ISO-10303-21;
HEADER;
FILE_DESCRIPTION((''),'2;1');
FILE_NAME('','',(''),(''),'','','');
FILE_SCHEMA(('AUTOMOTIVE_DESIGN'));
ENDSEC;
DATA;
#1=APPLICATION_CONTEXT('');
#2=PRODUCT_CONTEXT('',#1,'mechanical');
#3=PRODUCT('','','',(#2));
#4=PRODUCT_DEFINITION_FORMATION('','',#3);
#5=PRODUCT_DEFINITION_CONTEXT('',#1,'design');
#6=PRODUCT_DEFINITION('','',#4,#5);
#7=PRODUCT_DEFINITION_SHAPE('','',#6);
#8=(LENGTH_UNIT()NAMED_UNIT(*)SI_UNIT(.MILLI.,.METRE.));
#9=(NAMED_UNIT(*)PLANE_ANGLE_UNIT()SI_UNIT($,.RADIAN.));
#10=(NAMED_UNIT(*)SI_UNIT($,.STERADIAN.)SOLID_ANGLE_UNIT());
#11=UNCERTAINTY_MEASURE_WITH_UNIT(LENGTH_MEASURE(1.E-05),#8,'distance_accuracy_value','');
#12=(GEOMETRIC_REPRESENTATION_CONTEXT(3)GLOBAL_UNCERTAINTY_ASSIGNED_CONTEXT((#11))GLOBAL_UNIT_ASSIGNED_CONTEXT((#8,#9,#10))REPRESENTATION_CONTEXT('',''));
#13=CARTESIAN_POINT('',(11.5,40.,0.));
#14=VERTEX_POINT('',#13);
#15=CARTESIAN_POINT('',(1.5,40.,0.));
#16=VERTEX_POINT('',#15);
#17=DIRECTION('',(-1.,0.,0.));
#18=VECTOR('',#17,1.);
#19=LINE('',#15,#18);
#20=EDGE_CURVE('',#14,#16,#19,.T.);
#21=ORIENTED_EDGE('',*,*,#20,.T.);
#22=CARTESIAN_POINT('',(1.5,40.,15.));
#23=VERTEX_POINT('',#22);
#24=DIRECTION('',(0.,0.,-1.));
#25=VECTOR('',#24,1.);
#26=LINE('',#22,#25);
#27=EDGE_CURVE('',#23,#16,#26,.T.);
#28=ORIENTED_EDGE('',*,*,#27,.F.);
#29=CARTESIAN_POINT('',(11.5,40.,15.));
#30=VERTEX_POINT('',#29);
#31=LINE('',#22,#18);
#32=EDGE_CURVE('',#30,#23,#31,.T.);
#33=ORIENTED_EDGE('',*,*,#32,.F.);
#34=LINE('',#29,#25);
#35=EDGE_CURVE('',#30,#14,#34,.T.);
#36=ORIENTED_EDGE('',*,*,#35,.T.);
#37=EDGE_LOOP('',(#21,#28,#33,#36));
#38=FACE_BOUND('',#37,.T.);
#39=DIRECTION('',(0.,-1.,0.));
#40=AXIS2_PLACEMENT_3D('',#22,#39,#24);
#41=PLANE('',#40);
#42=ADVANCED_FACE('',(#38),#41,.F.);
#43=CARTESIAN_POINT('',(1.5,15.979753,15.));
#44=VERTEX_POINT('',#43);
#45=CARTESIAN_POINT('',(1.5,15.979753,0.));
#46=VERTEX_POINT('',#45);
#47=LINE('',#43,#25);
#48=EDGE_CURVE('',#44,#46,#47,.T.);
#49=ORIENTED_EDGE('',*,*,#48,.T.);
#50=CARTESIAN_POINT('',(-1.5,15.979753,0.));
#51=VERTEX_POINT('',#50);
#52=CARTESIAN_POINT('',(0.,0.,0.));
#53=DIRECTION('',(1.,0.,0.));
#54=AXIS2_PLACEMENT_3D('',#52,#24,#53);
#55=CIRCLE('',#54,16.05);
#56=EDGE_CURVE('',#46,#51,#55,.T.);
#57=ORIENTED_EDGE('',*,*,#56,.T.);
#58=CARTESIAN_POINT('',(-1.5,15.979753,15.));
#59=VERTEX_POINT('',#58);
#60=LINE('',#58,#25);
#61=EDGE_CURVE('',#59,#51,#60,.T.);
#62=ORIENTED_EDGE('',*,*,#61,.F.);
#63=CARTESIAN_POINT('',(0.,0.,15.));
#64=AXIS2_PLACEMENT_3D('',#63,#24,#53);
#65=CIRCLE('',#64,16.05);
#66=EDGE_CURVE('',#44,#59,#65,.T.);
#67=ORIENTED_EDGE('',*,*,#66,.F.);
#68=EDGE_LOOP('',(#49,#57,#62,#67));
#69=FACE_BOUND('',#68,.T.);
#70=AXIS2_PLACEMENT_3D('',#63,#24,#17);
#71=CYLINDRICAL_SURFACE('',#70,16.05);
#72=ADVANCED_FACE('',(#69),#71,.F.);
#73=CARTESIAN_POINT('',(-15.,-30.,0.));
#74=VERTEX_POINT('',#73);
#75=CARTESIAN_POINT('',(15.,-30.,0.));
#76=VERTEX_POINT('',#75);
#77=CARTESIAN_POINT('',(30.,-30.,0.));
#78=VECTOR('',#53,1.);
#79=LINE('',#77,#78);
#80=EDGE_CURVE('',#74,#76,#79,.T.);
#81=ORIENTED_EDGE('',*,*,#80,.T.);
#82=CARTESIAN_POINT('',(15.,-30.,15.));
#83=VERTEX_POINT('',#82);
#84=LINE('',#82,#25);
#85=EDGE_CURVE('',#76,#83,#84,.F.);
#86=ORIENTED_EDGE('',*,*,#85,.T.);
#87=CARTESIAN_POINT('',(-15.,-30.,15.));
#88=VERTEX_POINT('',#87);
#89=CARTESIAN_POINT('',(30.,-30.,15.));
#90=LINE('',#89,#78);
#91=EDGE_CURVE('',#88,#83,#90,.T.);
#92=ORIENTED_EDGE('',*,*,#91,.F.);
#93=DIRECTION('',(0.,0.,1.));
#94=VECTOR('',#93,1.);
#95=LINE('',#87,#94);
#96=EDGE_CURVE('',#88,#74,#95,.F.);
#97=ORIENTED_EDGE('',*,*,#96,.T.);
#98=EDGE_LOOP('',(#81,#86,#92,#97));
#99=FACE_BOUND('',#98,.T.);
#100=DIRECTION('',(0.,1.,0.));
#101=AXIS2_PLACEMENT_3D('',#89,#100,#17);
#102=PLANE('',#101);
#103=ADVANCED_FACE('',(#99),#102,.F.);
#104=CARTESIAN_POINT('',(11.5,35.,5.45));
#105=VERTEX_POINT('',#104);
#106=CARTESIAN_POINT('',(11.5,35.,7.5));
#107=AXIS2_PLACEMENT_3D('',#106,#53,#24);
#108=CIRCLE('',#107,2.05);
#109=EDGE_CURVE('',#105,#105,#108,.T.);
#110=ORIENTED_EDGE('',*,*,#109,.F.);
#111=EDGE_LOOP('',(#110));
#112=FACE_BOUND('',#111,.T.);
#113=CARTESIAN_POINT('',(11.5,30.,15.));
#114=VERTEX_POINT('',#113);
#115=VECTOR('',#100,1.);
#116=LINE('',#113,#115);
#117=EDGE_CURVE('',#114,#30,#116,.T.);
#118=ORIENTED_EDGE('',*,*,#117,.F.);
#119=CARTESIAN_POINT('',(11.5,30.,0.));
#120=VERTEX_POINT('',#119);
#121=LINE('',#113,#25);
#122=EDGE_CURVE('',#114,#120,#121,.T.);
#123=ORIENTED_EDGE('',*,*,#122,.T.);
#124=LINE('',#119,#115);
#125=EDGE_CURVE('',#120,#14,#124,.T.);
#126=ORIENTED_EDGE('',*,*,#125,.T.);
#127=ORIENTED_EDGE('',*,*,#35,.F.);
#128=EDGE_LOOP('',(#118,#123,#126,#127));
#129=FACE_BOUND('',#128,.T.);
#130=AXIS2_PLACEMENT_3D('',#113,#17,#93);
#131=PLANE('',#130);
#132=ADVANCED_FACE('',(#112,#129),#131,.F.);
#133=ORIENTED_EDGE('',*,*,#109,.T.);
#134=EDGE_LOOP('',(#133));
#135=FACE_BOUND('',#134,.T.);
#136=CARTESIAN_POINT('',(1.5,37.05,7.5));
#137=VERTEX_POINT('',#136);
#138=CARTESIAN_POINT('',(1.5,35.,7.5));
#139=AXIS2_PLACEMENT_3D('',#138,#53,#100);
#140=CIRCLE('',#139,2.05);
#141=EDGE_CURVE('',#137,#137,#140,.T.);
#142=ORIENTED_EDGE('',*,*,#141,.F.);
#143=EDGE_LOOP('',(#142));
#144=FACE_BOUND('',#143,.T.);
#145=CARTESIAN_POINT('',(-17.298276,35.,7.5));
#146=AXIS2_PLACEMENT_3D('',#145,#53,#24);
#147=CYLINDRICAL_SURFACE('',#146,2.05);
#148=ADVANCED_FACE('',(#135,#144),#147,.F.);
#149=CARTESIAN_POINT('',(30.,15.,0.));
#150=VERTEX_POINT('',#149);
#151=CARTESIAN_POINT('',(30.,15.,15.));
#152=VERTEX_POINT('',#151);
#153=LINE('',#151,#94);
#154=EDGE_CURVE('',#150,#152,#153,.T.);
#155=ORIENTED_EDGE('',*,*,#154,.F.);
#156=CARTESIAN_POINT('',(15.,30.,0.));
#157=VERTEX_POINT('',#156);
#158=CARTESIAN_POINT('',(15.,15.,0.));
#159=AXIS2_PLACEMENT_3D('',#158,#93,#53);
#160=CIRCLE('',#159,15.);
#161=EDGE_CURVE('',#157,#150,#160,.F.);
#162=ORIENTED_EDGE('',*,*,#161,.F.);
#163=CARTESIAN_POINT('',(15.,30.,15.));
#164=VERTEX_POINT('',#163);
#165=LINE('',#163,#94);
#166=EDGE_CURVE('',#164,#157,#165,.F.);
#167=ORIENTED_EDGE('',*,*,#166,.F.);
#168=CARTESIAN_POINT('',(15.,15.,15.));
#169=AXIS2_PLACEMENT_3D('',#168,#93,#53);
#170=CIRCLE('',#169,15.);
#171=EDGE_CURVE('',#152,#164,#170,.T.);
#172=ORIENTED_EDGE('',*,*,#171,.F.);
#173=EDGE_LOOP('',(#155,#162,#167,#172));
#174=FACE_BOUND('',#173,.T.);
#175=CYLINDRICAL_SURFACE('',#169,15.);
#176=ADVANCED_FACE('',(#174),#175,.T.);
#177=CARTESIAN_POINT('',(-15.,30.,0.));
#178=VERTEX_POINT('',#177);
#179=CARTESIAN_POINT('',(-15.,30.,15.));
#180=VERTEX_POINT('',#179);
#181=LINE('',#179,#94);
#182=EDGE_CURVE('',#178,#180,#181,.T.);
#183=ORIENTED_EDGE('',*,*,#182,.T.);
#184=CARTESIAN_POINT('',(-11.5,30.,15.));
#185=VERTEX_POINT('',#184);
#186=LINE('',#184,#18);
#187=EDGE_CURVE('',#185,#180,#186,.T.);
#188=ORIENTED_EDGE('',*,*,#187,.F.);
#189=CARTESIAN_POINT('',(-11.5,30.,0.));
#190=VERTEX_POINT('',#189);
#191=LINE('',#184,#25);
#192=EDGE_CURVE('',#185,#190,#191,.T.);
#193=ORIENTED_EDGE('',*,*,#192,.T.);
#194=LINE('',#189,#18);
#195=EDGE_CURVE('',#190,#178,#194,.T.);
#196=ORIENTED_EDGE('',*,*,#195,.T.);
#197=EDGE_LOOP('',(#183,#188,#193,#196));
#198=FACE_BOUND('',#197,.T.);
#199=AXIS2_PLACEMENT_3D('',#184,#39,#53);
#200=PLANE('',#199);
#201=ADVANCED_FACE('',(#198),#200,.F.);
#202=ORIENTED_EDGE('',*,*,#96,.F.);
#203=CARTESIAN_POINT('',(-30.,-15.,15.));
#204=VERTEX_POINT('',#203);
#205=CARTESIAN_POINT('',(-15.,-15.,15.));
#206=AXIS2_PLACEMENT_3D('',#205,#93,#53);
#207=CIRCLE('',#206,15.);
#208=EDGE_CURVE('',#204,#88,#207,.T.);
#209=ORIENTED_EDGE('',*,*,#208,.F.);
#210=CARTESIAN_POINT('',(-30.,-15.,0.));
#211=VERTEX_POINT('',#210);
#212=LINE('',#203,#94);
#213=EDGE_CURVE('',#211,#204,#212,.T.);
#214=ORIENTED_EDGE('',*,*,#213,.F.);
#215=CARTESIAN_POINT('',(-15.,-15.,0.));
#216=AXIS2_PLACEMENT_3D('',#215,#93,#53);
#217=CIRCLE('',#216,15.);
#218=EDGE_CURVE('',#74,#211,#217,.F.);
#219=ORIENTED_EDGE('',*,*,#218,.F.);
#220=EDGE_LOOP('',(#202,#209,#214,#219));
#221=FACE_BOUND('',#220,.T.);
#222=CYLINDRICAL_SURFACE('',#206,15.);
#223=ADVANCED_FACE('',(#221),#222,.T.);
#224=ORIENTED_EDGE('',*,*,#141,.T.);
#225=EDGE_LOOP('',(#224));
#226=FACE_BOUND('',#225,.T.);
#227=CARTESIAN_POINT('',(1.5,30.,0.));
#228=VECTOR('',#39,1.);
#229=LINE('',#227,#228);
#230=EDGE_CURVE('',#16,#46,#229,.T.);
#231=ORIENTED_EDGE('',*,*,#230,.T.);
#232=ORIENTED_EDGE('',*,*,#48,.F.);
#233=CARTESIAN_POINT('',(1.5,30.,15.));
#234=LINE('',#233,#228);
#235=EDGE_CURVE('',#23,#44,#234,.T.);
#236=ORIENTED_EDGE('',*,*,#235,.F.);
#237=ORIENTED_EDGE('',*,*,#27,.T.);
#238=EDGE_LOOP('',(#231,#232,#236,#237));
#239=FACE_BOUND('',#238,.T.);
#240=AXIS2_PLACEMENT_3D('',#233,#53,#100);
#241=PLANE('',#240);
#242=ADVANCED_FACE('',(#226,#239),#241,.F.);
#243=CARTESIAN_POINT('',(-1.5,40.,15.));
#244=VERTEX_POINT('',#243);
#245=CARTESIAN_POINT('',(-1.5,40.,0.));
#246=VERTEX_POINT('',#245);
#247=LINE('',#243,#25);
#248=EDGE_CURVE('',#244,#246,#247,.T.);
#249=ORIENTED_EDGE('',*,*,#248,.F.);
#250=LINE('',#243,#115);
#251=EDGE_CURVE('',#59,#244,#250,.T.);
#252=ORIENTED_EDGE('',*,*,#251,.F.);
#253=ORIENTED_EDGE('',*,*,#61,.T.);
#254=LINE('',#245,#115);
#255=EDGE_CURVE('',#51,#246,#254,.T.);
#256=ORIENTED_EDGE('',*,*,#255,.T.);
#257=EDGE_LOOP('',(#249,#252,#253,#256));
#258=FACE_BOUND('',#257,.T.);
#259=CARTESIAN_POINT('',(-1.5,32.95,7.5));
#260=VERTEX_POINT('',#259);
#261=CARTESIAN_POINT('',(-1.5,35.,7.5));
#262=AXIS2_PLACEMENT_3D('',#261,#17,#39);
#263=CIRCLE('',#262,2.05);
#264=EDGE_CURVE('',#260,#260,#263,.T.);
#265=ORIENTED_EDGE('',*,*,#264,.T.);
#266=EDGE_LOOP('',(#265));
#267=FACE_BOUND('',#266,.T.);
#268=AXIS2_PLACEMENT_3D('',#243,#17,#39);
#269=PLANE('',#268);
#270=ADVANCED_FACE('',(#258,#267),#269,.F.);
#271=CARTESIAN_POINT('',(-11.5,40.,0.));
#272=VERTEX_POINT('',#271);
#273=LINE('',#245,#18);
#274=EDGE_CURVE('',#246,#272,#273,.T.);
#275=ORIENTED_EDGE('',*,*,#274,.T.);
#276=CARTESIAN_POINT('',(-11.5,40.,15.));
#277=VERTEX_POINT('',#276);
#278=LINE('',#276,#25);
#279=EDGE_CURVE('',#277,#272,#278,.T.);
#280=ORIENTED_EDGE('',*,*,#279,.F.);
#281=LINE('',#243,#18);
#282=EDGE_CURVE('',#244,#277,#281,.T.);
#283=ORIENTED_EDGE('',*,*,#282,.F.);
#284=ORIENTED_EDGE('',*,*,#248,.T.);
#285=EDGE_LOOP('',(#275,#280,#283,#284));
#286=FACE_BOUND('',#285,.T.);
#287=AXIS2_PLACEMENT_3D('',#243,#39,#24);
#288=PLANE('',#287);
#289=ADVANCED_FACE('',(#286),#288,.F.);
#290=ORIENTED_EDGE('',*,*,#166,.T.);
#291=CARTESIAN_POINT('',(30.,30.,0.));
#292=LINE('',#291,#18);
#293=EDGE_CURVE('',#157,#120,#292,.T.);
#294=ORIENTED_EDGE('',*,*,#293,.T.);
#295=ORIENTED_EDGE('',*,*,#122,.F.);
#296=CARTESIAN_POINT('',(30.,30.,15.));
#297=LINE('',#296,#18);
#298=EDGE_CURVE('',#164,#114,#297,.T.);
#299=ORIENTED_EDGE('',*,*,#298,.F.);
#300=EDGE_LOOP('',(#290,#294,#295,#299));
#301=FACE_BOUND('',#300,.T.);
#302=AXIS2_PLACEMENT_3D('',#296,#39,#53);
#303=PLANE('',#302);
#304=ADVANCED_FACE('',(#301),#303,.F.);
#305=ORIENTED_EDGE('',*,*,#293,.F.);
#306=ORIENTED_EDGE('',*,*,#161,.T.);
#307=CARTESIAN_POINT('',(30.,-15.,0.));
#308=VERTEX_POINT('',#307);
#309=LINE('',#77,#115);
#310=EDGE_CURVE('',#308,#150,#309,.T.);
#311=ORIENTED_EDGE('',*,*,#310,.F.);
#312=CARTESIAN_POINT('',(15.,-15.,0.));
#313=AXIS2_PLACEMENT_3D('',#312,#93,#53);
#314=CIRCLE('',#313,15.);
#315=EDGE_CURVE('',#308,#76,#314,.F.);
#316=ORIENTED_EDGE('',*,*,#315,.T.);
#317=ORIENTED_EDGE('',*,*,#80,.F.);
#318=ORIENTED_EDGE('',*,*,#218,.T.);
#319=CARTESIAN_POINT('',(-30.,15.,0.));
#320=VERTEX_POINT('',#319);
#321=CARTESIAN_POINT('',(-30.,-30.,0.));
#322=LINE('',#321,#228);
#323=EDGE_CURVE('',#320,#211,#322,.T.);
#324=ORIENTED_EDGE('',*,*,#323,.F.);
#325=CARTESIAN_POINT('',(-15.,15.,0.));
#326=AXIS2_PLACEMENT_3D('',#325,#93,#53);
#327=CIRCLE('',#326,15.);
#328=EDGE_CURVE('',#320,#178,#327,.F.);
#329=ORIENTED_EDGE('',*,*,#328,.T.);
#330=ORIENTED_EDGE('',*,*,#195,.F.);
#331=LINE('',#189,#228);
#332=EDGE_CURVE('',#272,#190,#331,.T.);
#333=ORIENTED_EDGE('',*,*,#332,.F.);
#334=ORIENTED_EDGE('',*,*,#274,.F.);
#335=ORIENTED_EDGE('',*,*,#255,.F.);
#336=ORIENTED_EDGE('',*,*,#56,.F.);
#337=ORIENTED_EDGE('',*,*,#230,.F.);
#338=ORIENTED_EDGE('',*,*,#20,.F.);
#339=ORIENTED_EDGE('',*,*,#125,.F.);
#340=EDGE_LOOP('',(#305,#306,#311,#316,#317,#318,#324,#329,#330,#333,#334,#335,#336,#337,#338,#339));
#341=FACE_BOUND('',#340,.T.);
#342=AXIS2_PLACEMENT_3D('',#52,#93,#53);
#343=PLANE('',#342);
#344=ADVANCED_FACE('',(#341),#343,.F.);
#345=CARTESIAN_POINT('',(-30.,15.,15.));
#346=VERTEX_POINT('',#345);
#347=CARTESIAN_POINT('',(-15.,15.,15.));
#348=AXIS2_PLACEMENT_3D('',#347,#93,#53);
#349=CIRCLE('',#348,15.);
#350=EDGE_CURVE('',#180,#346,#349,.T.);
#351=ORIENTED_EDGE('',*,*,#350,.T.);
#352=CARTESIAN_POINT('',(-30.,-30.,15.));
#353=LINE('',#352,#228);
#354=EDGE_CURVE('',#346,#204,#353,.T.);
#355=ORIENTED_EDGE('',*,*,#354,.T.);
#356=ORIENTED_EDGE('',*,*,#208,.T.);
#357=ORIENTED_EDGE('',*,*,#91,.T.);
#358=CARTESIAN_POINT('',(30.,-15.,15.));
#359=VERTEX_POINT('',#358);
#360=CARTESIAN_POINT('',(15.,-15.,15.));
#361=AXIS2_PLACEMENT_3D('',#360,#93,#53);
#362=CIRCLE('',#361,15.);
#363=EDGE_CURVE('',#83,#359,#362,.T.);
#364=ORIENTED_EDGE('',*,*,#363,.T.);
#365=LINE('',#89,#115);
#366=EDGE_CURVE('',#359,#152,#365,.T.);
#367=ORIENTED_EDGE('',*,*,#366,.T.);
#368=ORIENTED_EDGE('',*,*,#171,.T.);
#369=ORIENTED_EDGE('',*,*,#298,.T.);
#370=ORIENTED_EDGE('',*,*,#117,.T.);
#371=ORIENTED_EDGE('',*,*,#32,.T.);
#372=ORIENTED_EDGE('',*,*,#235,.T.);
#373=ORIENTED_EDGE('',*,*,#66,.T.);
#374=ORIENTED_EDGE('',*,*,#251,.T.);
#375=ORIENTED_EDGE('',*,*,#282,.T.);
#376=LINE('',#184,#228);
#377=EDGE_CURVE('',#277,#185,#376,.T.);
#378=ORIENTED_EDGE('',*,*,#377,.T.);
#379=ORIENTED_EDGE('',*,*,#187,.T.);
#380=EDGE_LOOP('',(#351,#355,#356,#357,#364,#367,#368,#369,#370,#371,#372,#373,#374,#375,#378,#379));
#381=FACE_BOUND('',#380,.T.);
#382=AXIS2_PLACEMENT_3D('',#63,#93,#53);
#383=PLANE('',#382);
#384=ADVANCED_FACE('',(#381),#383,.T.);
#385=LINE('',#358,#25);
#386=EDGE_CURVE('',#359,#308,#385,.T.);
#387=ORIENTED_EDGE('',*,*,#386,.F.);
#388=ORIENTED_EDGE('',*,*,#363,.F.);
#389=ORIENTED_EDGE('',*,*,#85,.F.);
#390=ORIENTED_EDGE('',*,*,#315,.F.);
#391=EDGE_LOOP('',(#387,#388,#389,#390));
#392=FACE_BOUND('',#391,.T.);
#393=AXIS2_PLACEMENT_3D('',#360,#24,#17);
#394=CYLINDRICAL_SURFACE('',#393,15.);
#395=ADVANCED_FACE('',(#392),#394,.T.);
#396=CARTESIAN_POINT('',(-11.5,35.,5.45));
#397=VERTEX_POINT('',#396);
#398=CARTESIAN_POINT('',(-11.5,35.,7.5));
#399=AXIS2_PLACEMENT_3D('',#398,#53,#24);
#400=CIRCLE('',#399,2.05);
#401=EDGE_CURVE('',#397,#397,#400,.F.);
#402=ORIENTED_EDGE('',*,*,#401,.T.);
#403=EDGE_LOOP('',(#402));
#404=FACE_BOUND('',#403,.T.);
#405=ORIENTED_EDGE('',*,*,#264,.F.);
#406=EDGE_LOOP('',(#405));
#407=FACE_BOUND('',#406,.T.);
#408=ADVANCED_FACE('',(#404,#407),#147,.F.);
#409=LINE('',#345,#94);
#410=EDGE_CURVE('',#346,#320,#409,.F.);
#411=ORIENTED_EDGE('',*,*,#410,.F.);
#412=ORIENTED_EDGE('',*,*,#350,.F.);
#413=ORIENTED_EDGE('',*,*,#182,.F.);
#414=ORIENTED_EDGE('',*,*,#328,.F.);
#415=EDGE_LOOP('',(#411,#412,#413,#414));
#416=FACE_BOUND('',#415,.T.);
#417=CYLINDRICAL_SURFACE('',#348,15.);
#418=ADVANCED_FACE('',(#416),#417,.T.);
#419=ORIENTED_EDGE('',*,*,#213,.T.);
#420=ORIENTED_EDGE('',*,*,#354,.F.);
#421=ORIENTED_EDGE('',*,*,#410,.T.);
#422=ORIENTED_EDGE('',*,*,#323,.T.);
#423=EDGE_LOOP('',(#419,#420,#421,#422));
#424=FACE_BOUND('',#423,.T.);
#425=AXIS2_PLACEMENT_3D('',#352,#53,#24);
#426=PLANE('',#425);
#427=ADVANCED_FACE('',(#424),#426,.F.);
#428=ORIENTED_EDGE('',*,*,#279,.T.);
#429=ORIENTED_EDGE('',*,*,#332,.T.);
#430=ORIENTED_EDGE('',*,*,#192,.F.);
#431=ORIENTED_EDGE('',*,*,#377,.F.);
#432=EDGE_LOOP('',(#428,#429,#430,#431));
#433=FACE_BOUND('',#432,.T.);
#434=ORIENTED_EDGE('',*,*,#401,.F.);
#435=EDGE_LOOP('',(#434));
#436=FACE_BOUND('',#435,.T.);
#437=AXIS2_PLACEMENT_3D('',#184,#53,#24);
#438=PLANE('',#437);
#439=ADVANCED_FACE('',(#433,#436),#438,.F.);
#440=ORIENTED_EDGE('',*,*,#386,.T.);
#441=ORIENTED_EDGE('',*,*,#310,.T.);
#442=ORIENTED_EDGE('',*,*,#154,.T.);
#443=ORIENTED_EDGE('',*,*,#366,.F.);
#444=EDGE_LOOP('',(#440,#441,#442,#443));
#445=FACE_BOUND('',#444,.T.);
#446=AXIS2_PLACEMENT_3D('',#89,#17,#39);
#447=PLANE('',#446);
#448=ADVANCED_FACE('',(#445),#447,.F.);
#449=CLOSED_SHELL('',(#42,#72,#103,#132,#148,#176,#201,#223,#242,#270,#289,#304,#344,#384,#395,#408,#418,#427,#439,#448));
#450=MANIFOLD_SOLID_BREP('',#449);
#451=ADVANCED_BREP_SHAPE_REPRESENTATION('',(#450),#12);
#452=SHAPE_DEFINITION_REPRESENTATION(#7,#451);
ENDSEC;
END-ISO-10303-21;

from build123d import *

# Parameters (mm, degrees)
BOSS_EXTRUDE2_DEPTH = 15
FILLET5_R           = 15
FILLET6_R           = 15
FILLET7_R           = 15
FILLET8_R           = 15
SKETCH4_R           = 2.05
CUT_EXTRUDE2_DEPTH  = 23


with BuildPart() as part:
    # Sketch3 → Boss-Extrude2 (new body)
    with BuildSketch(Plane.XY):
        with BuildLine():
            Line((-1.5, 40), (-1.5, 15.979752814))
            ThreePointArc((-1.5, 15.979752814), (0, -16.05), (1.5, 15.979752814))
            Line((1.5, 15.979752814), (1.5, 30))
            Line((1.5, 30), (1.5, 40))
            Line((1.5, 40), (11.5, 40))
            Line((11.5, 40), (11.5, 30))
            Line((11.5, 30), (30, 30))
            Line((30, 30), (30, -30))
            Line((30, -30), (-30, -30))
            Line((-30, -30), (-30, 30))
            Line((-30, 30), (-11.5, 30))
            Line((-11.5, 30), (-11.5, 40))
            Line((-11.5, 40), (-1.5, 40))
        make_face()
    extrude(amount=BOSS_EXTRUDE2_DEPTH)

    # Fillet5
    fillet5_edges = [part.edges().sort_by_distance(p)[0] for p in [
        (30, 30, 7.5),
    ]]
    fillet(fillet5_edges, radius=FILLET5_R)

    # Fillet6
    fillet6_edges = [part.edges().sort_by_distance(p)[0] for p in [
        (-30, 30, 7.5),
    ]]
    fillet(fillet6_edges, radius=FILLET6_R)

    # Fillet7
    fillet7_edges = [part.edges().sort_by_distance(p)[0] for p in [
        (-30, -30, 7.5),
    ]]
    fillet(fillet7_edges, radius=FILLET7_R)

    # Fillet8
    fillet8_edges = [part.edges().sort_by_distance(p)[0] for p in [
        (30, -30, 7.5),
    ]]
    fillet(fillet8_edges, radius=FILLET8_R)

    # Sketch4 → Cut-Extrude2 (cut)
    with BuildSketch(Plane(origin=(11.5, 0, 0), x_dir=(0, 0, -1), z_dir=(1, 0, 0))):
        with Locations((-7.5, 35)):
            Circle(SKETCH4_R)
    extrude(amount=-CUT_EXTRUDE2_DEPTH, mode=Mode.SUBTRACT)


solid = part.part
